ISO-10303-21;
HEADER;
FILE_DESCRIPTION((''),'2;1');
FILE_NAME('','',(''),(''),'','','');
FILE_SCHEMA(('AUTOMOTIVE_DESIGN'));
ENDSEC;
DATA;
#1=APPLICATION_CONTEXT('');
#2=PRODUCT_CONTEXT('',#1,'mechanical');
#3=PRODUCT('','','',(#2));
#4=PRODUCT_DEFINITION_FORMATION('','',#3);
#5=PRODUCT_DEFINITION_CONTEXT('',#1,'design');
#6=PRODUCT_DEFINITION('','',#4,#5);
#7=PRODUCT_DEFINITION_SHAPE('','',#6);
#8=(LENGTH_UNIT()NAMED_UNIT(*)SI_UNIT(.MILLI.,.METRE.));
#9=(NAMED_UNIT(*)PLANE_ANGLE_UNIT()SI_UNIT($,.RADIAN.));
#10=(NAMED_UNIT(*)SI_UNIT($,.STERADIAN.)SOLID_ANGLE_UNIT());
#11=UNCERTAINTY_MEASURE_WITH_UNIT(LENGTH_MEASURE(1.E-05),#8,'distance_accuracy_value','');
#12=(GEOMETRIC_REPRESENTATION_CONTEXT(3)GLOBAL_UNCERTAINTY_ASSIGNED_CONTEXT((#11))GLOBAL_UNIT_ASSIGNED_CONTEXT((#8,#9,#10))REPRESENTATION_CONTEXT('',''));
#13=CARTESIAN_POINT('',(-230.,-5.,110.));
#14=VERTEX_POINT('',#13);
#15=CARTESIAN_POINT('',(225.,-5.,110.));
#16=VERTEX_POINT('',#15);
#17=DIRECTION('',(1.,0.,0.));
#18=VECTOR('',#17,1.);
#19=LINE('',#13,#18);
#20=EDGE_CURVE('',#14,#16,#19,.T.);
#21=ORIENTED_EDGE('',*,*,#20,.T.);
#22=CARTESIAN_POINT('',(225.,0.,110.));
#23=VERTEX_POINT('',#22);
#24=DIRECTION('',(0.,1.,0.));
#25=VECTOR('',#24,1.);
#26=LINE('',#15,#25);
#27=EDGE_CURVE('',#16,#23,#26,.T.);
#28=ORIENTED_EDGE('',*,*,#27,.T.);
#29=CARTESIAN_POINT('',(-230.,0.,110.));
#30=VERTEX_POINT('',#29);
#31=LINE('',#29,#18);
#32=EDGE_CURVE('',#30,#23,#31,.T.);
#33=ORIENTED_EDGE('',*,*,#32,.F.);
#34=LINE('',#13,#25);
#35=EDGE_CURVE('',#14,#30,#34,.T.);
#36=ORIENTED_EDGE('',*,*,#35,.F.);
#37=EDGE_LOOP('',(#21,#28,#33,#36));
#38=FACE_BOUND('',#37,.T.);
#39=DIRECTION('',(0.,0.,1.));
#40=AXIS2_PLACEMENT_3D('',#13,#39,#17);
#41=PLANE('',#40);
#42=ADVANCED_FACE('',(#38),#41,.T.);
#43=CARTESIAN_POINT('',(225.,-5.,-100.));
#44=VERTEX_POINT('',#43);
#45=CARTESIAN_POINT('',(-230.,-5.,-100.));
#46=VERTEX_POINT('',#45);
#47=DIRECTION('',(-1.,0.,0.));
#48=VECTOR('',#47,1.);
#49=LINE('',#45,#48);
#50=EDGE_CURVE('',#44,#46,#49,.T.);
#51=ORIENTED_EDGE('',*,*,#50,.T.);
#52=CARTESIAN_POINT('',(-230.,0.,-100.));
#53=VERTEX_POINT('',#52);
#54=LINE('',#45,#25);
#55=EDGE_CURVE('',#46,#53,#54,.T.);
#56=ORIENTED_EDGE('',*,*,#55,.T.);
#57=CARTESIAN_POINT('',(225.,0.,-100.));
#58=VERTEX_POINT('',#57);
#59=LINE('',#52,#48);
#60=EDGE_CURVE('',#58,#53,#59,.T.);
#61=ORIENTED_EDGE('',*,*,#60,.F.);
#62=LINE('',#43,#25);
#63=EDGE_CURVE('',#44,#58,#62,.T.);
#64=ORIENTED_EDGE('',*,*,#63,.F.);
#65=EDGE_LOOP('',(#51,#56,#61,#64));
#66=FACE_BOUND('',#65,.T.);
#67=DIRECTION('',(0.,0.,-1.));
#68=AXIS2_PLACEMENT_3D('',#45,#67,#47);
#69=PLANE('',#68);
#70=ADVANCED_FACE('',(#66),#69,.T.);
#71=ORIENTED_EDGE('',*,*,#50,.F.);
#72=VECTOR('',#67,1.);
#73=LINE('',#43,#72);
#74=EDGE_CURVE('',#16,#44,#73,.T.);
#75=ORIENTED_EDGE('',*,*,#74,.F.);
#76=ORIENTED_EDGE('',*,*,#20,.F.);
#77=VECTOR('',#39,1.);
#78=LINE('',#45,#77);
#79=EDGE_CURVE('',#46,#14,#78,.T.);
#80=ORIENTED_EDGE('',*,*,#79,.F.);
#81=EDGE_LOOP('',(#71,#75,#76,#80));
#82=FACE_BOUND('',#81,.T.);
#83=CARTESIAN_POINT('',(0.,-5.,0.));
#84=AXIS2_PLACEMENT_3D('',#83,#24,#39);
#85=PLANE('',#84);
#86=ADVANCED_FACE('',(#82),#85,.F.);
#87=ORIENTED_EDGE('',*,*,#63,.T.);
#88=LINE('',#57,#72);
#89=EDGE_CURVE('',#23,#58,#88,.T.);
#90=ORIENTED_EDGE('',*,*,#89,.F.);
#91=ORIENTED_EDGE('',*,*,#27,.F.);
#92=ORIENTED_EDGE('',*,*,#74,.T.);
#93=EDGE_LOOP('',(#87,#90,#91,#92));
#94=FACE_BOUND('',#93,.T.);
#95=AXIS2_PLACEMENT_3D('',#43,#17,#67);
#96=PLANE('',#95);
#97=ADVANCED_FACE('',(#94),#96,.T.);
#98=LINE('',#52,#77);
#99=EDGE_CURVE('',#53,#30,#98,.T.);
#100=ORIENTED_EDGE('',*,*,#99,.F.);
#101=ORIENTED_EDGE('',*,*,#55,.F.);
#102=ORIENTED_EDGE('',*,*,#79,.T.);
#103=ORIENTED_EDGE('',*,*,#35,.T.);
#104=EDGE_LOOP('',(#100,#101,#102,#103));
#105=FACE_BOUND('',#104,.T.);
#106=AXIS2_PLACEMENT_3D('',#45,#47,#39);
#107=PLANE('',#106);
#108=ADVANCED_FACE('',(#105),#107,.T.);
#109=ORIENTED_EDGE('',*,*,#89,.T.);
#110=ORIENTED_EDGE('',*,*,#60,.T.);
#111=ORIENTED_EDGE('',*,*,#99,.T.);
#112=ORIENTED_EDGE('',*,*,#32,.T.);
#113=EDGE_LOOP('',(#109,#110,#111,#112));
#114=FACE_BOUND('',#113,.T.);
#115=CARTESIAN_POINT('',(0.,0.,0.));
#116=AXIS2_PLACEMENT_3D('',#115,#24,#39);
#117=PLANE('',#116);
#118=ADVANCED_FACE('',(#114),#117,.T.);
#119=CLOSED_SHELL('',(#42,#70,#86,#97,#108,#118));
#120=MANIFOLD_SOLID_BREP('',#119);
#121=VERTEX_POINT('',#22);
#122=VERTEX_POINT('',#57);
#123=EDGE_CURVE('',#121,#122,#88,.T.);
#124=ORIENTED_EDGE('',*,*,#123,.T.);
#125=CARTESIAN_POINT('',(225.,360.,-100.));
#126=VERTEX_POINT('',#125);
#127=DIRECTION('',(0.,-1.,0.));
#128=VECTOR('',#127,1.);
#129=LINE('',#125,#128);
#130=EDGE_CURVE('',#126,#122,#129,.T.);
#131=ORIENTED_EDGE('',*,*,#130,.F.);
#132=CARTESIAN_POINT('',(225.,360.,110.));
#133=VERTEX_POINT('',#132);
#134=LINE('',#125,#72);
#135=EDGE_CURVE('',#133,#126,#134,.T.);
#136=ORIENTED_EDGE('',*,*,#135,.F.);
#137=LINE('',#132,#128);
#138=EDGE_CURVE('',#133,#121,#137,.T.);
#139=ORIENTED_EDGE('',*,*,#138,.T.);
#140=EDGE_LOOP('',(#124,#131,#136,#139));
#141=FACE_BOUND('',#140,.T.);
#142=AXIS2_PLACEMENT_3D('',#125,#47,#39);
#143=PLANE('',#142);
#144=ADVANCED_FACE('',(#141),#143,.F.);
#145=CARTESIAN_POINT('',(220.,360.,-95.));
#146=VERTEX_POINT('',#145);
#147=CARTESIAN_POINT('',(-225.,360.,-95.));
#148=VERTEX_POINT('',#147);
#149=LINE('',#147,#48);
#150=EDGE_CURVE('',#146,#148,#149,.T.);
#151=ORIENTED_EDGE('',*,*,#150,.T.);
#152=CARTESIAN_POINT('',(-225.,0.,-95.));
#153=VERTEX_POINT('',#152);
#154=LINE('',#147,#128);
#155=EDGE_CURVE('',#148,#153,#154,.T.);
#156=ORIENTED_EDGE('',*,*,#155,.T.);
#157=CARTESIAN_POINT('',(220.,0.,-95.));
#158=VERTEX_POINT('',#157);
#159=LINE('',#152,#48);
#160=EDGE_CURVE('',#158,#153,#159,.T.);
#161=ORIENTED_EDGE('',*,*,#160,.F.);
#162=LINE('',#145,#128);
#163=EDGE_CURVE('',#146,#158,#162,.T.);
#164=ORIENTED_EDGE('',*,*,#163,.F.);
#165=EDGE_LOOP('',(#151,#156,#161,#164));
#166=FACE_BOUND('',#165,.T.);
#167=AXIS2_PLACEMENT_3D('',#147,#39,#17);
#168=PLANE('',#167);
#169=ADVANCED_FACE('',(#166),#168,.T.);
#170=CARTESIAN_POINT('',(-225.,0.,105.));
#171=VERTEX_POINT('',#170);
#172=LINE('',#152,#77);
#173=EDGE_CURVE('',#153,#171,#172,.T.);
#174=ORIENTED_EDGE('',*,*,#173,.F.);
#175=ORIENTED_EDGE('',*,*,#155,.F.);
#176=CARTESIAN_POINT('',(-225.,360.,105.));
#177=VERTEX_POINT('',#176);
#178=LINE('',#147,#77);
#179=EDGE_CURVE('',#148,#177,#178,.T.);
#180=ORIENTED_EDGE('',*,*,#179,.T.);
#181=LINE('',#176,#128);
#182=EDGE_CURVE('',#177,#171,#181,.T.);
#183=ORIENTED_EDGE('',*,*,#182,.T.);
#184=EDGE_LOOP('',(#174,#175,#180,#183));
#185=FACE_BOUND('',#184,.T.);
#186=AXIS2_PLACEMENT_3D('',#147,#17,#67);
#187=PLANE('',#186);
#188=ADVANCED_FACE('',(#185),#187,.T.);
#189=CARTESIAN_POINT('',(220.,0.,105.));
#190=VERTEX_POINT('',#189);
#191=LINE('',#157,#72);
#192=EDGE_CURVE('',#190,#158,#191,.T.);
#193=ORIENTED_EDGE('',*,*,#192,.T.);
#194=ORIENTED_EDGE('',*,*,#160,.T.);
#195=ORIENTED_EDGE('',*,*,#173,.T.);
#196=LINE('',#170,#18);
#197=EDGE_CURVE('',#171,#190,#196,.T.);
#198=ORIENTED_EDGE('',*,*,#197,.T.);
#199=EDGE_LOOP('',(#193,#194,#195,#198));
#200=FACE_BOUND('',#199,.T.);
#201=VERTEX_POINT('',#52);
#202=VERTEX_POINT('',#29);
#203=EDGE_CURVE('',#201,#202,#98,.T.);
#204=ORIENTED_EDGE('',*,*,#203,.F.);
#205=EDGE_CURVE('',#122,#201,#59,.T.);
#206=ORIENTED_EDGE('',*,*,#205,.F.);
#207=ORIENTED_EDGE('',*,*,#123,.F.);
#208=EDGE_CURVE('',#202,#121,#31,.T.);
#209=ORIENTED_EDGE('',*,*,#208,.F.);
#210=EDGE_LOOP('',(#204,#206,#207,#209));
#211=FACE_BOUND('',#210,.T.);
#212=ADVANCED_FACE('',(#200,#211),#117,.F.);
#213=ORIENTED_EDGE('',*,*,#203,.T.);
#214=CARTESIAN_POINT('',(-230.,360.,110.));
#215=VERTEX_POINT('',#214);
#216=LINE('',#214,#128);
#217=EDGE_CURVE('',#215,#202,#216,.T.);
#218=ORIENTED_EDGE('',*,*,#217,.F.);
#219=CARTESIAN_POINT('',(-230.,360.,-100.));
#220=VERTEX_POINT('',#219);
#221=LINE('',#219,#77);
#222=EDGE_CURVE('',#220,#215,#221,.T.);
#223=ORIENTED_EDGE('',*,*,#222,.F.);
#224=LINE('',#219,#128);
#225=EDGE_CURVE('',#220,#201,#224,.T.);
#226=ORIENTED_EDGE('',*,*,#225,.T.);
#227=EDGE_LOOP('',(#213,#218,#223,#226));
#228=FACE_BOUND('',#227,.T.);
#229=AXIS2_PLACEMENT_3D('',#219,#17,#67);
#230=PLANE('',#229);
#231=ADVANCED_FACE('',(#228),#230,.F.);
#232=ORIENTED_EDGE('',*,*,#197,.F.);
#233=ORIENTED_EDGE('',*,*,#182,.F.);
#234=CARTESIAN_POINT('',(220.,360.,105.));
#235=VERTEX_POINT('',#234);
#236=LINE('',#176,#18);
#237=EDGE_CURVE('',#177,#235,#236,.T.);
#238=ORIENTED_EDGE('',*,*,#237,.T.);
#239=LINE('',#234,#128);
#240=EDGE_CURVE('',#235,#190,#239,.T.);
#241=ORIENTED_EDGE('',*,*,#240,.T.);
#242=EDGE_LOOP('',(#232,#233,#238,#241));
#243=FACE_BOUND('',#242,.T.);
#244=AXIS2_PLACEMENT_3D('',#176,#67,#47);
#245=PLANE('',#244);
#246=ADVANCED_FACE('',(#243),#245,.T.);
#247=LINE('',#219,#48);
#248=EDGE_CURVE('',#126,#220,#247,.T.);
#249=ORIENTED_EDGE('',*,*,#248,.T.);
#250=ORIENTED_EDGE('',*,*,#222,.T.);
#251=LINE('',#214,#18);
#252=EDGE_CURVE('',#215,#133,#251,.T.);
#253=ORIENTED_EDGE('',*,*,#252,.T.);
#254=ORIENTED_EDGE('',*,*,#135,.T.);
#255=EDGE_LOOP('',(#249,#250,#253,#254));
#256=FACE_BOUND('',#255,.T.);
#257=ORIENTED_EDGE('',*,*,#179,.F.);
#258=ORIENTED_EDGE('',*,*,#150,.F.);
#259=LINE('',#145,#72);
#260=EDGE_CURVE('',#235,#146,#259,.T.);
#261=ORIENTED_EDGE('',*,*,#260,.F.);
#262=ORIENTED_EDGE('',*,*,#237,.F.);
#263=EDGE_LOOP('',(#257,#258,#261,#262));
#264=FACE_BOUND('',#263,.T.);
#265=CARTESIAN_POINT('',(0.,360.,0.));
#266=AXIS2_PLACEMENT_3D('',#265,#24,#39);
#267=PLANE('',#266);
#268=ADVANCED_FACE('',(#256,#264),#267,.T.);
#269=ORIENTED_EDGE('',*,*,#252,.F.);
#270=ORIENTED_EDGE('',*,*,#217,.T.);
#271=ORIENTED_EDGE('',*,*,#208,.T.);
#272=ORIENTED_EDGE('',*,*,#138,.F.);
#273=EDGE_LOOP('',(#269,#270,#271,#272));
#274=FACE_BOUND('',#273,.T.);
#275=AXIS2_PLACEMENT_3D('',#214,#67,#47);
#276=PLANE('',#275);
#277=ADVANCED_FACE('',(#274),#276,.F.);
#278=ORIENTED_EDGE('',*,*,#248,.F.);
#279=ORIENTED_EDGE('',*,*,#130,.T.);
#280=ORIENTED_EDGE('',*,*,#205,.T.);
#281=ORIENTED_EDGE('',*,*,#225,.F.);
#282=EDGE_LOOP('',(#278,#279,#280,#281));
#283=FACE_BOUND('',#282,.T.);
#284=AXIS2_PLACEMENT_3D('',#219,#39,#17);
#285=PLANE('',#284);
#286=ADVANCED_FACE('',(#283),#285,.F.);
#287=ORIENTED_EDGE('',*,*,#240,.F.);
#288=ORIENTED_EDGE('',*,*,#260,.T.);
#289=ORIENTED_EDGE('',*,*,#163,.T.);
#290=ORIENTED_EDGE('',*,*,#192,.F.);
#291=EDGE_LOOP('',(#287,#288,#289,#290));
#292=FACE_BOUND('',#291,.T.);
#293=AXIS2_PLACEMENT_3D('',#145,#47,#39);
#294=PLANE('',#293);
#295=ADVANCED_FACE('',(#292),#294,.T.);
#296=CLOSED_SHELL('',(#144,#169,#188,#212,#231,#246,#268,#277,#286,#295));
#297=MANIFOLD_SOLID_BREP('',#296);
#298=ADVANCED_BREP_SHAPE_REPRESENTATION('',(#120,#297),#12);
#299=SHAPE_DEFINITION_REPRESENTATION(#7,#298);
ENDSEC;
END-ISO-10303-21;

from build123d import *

# Parameters (mm, degrees)
SKETCH2_W           = 455
SKETCH2_H           = 210
SKETCH2_W_2         = 445
SKETCH2_H_2         = 200
BOSS_EXTRUDE1_DEPTH = 360
SKETCH3_W           = 455
SKETCH3_H           = 210
BOSS_EXTRUDE4_DEPTH = 5


with BuildPart() as part:
    # Sketch2 → Boss-Extrude1 (new body)
    with BuildSketch(Plane(origin=(0, 0, 0), x_dir=(1, 0, 0), z_dir=(0, 1, 0))):
        with Locations((-2.5, -5)):
            Rectangle(SKETCH2_W, SKETCH2_H)
        with Locations((-2.5, -5)):
            Rectangle(SKETCH2_W_2, SKETCH2_H_2, mode=Mode.SUBTRACT)
    extrude(amount=BOSS_EXTRUDE1_DEPTH)


with BuildPart() as body_2:
    # Sketch3 → Boss-Extrude4 (new body)
    with BuildSketch(Plane(origin=(0, 0, 0), x_dir=(1, 0, 0), z_dir=(0, 1, 0))):
        with Locations((-2.5, -5)):
            Rectangle(SKETCH3_W, SKETCH3_H)
    extrude(amount=-BOSS_EXTRUDE4_DEPTH)


solid = Compound([part.part, body_2.part])
